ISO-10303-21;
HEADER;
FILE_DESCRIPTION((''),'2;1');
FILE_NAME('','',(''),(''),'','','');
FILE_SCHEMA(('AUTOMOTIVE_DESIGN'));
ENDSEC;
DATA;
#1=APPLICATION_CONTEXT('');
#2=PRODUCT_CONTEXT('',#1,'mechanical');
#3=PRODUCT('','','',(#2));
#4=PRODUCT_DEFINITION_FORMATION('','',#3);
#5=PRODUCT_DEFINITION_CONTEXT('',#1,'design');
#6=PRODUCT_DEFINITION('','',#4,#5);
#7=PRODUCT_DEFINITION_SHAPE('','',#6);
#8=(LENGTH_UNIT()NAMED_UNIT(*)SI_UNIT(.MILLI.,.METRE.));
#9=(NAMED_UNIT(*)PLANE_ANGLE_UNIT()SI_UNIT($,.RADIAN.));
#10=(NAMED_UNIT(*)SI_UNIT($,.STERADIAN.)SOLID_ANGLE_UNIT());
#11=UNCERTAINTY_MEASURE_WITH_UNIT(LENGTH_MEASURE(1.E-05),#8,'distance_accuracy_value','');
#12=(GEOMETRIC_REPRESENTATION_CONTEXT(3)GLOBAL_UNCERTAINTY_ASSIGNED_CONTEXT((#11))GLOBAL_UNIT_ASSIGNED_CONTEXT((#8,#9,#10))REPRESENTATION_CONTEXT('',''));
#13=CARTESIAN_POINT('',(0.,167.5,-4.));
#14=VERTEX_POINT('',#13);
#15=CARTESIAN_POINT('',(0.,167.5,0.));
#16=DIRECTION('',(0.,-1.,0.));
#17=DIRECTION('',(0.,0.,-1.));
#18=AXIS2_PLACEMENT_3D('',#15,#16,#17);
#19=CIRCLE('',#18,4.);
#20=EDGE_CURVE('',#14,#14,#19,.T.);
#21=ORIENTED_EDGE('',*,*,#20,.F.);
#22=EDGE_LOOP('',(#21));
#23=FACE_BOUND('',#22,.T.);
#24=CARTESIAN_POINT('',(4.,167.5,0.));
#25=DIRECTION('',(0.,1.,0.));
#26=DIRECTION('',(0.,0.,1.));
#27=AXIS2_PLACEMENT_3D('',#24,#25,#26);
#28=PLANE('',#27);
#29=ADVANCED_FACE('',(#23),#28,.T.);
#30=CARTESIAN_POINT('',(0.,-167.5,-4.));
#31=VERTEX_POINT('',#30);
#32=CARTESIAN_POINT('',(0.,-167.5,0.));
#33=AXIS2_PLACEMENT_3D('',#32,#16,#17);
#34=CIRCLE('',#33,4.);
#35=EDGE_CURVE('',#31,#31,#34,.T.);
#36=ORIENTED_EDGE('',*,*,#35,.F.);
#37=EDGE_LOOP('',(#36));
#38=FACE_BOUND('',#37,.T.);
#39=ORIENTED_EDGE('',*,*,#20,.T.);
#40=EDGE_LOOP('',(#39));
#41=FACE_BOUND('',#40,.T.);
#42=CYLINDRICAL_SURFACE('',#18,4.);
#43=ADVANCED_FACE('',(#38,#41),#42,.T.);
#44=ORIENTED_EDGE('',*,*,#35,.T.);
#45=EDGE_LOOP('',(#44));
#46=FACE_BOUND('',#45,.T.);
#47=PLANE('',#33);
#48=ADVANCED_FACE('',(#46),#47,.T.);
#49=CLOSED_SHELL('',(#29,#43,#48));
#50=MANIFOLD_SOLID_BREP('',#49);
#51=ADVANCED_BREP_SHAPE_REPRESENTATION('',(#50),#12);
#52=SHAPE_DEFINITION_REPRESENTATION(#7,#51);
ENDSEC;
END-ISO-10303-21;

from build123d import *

# Parameters (mm, degrees)
SKETCH1_W = 4
SKETCH1_H = 335


with BuildPart() as part:
    # Sketch1 → Revolve1 (revolve)
    with BuildSketch(Plane.XY):
        with Locations((2, 0)):
            Rectangle(SKETCH1_W, SKETCH1_H)
    revolve(axis=Axis((0, 167.5, 0), (0, -1, 0)))


solid = part.part
